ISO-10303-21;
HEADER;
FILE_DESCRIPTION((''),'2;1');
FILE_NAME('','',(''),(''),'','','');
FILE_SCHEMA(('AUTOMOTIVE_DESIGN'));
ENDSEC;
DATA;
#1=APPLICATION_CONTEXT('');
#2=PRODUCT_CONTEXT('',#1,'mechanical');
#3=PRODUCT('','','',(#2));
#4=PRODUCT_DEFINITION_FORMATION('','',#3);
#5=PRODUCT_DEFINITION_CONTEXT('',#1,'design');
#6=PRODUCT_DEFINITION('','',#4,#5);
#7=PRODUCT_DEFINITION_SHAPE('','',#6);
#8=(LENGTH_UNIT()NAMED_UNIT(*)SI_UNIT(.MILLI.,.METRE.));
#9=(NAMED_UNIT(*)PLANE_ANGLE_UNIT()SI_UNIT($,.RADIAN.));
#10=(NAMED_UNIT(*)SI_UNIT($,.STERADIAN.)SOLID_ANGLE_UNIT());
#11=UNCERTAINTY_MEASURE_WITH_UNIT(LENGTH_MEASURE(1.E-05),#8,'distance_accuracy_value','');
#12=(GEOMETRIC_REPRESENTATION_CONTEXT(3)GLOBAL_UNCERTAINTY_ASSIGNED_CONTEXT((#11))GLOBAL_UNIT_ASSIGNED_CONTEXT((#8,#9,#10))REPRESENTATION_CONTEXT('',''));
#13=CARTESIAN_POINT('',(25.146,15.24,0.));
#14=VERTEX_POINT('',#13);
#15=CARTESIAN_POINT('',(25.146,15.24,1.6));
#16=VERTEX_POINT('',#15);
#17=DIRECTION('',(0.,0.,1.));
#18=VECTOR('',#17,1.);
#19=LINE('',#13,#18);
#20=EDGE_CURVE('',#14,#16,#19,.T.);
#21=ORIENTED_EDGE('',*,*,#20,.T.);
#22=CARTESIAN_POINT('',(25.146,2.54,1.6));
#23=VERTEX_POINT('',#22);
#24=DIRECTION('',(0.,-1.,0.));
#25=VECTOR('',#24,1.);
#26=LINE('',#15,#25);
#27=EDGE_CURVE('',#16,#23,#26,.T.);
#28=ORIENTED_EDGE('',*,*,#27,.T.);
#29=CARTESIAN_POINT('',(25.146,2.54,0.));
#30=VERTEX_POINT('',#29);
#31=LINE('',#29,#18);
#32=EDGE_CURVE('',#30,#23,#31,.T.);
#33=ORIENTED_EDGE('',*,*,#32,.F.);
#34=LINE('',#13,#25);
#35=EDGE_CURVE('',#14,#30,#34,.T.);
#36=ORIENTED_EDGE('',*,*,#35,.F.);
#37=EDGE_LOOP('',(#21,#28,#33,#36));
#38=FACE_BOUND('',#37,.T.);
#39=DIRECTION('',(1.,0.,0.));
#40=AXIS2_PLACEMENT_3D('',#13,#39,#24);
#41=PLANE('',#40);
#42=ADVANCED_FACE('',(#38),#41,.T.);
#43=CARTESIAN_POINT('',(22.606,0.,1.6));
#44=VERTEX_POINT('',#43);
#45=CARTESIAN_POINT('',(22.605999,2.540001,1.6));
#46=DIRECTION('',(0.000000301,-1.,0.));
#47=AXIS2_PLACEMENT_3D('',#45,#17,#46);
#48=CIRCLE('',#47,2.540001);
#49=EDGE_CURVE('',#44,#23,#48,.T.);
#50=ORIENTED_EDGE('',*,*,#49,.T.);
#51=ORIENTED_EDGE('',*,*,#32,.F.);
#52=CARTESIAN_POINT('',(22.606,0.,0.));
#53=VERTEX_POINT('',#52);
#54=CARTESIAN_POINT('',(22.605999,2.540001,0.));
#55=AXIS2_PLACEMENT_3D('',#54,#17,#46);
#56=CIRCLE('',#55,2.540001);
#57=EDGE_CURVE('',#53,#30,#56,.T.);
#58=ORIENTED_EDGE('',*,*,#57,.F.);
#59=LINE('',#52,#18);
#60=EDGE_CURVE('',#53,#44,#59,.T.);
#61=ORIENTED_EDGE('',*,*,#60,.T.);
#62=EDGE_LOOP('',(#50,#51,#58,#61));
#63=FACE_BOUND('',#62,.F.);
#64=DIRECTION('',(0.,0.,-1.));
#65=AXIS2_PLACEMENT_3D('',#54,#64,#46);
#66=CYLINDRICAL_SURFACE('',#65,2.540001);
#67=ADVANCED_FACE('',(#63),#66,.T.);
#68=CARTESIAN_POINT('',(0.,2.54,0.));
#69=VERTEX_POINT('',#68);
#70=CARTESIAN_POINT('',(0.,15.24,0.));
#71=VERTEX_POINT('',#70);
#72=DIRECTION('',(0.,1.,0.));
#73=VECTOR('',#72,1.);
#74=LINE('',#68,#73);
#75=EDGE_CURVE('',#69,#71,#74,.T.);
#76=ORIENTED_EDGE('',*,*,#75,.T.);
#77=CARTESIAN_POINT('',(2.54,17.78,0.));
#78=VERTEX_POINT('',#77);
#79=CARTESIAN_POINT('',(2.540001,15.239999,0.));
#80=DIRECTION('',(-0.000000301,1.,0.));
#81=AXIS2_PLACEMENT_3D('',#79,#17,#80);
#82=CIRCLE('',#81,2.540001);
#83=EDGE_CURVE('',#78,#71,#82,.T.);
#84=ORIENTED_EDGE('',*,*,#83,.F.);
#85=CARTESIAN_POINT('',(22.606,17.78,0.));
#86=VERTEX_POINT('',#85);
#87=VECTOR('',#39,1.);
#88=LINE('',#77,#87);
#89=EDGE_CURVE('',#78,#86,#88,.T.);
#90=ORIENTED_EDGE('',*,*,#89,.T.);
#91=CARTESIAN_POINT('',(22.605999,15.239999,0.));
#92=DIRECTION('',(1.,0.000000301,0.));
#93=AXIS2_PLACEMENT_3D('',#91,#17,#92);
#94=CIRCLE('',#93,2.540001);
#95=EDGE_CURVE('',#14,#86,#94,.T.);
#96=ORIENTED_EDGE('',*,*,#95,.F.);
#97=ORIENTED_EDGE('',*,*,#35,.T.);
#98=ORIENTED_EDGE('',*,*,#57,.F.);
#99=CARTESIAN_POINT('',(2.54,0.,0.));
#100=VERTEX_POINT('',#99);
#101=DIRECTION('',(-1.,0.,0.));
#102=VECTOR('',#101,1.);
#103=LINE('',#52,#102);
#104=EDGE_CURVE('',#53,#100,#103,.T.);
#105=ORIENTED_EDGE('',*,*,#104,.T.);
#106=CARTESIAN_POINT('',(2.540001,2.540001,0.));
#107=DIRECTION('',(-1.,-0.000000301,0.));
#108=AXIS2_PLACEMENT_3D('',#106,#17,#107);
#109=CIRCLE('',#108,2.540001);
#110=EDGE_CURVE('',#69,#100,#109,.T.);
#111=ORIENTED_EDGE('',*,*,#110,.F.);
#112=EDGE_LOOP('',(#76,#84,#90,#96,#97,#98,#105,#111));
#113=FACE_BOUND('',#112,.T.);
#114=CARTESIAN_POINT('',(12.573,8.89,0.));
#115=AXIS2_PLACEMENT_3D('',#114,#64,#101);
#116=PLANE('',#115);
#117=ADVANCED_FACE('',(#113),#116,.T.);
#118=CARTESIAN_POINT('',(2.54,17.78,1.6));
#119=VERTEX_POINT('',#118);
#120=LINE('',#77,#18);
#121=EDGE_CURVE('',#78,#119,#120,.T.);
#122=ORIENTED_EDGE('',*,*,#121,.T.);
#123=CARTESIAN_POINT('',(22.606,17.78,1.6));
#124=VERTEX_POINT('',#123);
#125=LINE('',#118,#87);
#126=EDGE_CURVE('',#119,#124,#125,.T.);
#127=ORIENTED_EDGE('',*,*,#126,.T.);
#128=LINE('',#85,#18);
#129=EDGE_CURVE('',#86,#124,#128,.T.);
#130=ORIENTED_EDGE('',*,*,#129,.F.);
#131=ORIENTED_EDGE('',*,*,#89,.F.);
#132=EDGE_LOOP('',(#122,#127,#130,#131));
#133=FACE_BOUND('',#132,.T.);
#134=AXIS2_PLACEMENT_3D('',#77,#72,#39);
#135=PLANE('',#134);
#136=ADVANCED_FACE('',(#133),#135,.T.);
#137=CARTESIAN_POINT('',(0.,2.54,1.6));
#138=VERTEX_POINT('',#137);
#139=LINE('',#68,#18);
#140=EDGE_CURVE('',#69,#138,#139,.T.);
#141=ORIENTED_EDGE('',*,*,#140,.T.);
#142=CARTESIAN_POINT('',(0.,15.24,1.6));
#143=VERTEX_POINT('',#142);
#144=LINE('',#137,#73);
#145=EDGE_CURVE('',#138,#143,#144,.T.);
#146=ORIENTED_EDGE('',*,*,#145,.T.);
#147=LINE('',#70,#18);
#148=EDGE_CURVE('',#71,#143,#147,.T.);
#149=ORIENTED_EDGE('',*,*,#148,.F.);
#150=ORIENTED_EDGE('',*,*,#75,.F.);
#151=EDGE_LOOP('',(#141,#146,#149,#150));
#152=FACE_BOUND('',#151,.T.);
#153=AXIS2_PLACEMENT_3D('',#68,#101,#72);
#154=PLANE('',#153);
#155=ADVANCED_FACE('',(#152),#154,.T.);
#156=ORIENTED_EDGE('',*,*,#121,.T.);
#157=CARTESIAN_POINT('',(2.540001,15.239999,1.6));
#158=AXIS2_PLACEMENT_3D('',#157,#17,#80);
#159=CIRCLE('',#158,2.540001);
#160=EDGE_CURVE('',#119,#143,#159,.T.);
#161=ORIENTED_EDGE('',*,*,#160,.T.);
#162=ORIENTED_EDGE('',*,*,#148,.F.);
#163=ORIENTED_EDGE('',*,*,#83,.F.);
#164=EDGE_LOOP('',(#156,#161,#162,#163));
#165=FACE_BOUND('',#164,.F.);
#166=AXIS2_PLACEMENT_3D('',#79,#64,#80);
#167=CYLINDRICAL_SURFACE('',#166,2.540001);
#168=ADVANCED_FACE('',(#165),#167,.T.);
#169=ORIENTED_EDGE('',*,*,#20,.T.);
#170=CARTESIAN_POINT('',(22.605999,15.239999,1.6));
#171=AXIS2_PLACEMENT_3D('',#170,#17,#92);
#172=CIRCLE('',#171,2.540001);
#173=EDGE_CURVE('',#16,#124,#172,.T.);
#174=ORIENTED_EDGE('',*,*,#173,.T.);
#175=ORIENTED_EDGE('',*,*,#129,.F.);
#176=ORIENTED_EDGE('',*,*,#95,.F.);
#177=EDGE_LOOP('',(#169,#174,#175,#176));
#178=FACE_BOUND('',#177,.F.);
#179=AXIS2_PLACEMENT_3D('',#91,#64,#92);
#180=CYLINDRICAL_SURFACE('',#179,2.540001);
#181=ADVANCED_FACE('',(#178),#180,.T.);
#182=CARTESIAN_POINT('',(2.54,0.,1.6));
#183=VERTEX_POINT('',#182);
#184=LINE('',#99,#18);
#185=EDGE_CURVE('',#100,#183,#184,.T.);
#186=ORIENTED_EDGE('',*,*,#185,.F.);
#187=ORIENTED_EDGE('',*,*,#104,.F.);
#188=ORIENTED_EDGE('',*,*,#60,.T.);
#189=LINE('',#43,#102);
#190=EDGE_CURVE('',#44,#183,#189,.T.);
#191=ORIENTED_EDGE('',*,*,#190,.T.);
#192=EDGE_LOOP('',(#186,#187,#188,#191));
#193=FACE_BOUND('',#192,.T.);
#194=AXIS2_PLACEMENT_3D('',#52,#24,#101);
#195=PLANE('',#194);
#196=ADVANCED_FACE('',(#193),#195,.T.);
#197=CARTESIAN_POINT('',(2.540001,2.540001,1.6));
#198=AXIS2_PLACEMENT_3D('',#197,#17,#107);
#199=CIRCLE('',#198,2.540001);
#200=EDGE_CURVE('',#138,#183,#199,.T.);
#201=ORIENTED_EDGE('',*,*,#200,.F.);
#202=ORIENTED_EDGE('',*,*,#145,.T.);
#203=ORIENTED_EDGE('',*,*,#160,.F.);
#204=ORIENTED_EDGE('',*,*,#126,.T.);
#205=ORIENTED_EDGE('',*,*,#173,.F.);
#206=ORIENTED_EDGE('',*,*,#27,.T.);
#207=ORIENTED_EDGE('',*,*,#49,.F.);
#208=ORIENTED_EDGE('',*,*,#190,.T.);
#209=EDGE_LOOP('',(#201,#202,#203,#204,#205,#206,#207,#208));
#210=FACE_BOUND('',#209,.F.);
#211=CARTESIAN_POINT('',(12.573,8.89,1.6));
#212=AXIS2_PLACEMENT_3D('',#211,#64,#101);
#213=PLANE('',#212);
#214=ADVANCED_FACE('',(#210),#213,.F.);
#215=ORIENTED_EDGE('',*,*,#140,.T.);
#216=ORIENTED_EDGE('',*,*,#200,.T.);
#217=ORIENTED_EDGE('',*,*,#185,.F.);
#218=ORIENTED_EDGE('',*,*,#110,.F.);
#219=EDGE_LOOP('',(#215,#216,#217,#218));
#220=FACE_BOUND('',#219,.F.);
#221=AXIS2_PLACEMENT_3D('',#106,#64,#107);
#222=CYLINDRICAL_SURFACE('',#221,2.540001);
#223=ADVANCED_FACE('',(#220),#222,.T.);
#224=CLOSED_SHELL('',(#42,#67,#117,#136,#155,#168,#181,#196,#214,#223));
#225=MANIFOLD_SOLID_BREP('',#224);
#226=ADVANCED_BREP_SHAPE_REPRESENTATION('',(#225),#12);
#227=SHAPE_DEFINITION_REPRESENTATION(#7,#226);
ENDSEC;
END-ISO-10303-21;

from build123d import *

# Parameters (mm, degrees)
PAD_DEPTH = 1.6


with BuildPart() as part:
    # Sketch → Pad (new body)
    with BuildSketch(Plane.XY):
        with BuildLine():
            Line((2.54, 17.78), (22.606, 17.78))
            ThreePointArc((25.146, 15.24), (24.402051, 17.036051), (22.606, 17.78))
            Line((25.146, 15.24), (25.146, 2.54))
            ThreePointArc((22.606, 0), (24.402051, 0.743949), (25.146, 2.54))
            Line((22.606, 0), (2.54, 0))
            ThreePointArc((0, 2.54), (0.743949, 0.743949), (2.54, 0))
            Line((0, 2.54), (0, 15.24))
            ThreePointArc((2.54, 17.78), (0.743949, 17.036051), (0, 15.24))
        make_face()
    extrude(amount=PAD_DEPTH)


solid = part.part
